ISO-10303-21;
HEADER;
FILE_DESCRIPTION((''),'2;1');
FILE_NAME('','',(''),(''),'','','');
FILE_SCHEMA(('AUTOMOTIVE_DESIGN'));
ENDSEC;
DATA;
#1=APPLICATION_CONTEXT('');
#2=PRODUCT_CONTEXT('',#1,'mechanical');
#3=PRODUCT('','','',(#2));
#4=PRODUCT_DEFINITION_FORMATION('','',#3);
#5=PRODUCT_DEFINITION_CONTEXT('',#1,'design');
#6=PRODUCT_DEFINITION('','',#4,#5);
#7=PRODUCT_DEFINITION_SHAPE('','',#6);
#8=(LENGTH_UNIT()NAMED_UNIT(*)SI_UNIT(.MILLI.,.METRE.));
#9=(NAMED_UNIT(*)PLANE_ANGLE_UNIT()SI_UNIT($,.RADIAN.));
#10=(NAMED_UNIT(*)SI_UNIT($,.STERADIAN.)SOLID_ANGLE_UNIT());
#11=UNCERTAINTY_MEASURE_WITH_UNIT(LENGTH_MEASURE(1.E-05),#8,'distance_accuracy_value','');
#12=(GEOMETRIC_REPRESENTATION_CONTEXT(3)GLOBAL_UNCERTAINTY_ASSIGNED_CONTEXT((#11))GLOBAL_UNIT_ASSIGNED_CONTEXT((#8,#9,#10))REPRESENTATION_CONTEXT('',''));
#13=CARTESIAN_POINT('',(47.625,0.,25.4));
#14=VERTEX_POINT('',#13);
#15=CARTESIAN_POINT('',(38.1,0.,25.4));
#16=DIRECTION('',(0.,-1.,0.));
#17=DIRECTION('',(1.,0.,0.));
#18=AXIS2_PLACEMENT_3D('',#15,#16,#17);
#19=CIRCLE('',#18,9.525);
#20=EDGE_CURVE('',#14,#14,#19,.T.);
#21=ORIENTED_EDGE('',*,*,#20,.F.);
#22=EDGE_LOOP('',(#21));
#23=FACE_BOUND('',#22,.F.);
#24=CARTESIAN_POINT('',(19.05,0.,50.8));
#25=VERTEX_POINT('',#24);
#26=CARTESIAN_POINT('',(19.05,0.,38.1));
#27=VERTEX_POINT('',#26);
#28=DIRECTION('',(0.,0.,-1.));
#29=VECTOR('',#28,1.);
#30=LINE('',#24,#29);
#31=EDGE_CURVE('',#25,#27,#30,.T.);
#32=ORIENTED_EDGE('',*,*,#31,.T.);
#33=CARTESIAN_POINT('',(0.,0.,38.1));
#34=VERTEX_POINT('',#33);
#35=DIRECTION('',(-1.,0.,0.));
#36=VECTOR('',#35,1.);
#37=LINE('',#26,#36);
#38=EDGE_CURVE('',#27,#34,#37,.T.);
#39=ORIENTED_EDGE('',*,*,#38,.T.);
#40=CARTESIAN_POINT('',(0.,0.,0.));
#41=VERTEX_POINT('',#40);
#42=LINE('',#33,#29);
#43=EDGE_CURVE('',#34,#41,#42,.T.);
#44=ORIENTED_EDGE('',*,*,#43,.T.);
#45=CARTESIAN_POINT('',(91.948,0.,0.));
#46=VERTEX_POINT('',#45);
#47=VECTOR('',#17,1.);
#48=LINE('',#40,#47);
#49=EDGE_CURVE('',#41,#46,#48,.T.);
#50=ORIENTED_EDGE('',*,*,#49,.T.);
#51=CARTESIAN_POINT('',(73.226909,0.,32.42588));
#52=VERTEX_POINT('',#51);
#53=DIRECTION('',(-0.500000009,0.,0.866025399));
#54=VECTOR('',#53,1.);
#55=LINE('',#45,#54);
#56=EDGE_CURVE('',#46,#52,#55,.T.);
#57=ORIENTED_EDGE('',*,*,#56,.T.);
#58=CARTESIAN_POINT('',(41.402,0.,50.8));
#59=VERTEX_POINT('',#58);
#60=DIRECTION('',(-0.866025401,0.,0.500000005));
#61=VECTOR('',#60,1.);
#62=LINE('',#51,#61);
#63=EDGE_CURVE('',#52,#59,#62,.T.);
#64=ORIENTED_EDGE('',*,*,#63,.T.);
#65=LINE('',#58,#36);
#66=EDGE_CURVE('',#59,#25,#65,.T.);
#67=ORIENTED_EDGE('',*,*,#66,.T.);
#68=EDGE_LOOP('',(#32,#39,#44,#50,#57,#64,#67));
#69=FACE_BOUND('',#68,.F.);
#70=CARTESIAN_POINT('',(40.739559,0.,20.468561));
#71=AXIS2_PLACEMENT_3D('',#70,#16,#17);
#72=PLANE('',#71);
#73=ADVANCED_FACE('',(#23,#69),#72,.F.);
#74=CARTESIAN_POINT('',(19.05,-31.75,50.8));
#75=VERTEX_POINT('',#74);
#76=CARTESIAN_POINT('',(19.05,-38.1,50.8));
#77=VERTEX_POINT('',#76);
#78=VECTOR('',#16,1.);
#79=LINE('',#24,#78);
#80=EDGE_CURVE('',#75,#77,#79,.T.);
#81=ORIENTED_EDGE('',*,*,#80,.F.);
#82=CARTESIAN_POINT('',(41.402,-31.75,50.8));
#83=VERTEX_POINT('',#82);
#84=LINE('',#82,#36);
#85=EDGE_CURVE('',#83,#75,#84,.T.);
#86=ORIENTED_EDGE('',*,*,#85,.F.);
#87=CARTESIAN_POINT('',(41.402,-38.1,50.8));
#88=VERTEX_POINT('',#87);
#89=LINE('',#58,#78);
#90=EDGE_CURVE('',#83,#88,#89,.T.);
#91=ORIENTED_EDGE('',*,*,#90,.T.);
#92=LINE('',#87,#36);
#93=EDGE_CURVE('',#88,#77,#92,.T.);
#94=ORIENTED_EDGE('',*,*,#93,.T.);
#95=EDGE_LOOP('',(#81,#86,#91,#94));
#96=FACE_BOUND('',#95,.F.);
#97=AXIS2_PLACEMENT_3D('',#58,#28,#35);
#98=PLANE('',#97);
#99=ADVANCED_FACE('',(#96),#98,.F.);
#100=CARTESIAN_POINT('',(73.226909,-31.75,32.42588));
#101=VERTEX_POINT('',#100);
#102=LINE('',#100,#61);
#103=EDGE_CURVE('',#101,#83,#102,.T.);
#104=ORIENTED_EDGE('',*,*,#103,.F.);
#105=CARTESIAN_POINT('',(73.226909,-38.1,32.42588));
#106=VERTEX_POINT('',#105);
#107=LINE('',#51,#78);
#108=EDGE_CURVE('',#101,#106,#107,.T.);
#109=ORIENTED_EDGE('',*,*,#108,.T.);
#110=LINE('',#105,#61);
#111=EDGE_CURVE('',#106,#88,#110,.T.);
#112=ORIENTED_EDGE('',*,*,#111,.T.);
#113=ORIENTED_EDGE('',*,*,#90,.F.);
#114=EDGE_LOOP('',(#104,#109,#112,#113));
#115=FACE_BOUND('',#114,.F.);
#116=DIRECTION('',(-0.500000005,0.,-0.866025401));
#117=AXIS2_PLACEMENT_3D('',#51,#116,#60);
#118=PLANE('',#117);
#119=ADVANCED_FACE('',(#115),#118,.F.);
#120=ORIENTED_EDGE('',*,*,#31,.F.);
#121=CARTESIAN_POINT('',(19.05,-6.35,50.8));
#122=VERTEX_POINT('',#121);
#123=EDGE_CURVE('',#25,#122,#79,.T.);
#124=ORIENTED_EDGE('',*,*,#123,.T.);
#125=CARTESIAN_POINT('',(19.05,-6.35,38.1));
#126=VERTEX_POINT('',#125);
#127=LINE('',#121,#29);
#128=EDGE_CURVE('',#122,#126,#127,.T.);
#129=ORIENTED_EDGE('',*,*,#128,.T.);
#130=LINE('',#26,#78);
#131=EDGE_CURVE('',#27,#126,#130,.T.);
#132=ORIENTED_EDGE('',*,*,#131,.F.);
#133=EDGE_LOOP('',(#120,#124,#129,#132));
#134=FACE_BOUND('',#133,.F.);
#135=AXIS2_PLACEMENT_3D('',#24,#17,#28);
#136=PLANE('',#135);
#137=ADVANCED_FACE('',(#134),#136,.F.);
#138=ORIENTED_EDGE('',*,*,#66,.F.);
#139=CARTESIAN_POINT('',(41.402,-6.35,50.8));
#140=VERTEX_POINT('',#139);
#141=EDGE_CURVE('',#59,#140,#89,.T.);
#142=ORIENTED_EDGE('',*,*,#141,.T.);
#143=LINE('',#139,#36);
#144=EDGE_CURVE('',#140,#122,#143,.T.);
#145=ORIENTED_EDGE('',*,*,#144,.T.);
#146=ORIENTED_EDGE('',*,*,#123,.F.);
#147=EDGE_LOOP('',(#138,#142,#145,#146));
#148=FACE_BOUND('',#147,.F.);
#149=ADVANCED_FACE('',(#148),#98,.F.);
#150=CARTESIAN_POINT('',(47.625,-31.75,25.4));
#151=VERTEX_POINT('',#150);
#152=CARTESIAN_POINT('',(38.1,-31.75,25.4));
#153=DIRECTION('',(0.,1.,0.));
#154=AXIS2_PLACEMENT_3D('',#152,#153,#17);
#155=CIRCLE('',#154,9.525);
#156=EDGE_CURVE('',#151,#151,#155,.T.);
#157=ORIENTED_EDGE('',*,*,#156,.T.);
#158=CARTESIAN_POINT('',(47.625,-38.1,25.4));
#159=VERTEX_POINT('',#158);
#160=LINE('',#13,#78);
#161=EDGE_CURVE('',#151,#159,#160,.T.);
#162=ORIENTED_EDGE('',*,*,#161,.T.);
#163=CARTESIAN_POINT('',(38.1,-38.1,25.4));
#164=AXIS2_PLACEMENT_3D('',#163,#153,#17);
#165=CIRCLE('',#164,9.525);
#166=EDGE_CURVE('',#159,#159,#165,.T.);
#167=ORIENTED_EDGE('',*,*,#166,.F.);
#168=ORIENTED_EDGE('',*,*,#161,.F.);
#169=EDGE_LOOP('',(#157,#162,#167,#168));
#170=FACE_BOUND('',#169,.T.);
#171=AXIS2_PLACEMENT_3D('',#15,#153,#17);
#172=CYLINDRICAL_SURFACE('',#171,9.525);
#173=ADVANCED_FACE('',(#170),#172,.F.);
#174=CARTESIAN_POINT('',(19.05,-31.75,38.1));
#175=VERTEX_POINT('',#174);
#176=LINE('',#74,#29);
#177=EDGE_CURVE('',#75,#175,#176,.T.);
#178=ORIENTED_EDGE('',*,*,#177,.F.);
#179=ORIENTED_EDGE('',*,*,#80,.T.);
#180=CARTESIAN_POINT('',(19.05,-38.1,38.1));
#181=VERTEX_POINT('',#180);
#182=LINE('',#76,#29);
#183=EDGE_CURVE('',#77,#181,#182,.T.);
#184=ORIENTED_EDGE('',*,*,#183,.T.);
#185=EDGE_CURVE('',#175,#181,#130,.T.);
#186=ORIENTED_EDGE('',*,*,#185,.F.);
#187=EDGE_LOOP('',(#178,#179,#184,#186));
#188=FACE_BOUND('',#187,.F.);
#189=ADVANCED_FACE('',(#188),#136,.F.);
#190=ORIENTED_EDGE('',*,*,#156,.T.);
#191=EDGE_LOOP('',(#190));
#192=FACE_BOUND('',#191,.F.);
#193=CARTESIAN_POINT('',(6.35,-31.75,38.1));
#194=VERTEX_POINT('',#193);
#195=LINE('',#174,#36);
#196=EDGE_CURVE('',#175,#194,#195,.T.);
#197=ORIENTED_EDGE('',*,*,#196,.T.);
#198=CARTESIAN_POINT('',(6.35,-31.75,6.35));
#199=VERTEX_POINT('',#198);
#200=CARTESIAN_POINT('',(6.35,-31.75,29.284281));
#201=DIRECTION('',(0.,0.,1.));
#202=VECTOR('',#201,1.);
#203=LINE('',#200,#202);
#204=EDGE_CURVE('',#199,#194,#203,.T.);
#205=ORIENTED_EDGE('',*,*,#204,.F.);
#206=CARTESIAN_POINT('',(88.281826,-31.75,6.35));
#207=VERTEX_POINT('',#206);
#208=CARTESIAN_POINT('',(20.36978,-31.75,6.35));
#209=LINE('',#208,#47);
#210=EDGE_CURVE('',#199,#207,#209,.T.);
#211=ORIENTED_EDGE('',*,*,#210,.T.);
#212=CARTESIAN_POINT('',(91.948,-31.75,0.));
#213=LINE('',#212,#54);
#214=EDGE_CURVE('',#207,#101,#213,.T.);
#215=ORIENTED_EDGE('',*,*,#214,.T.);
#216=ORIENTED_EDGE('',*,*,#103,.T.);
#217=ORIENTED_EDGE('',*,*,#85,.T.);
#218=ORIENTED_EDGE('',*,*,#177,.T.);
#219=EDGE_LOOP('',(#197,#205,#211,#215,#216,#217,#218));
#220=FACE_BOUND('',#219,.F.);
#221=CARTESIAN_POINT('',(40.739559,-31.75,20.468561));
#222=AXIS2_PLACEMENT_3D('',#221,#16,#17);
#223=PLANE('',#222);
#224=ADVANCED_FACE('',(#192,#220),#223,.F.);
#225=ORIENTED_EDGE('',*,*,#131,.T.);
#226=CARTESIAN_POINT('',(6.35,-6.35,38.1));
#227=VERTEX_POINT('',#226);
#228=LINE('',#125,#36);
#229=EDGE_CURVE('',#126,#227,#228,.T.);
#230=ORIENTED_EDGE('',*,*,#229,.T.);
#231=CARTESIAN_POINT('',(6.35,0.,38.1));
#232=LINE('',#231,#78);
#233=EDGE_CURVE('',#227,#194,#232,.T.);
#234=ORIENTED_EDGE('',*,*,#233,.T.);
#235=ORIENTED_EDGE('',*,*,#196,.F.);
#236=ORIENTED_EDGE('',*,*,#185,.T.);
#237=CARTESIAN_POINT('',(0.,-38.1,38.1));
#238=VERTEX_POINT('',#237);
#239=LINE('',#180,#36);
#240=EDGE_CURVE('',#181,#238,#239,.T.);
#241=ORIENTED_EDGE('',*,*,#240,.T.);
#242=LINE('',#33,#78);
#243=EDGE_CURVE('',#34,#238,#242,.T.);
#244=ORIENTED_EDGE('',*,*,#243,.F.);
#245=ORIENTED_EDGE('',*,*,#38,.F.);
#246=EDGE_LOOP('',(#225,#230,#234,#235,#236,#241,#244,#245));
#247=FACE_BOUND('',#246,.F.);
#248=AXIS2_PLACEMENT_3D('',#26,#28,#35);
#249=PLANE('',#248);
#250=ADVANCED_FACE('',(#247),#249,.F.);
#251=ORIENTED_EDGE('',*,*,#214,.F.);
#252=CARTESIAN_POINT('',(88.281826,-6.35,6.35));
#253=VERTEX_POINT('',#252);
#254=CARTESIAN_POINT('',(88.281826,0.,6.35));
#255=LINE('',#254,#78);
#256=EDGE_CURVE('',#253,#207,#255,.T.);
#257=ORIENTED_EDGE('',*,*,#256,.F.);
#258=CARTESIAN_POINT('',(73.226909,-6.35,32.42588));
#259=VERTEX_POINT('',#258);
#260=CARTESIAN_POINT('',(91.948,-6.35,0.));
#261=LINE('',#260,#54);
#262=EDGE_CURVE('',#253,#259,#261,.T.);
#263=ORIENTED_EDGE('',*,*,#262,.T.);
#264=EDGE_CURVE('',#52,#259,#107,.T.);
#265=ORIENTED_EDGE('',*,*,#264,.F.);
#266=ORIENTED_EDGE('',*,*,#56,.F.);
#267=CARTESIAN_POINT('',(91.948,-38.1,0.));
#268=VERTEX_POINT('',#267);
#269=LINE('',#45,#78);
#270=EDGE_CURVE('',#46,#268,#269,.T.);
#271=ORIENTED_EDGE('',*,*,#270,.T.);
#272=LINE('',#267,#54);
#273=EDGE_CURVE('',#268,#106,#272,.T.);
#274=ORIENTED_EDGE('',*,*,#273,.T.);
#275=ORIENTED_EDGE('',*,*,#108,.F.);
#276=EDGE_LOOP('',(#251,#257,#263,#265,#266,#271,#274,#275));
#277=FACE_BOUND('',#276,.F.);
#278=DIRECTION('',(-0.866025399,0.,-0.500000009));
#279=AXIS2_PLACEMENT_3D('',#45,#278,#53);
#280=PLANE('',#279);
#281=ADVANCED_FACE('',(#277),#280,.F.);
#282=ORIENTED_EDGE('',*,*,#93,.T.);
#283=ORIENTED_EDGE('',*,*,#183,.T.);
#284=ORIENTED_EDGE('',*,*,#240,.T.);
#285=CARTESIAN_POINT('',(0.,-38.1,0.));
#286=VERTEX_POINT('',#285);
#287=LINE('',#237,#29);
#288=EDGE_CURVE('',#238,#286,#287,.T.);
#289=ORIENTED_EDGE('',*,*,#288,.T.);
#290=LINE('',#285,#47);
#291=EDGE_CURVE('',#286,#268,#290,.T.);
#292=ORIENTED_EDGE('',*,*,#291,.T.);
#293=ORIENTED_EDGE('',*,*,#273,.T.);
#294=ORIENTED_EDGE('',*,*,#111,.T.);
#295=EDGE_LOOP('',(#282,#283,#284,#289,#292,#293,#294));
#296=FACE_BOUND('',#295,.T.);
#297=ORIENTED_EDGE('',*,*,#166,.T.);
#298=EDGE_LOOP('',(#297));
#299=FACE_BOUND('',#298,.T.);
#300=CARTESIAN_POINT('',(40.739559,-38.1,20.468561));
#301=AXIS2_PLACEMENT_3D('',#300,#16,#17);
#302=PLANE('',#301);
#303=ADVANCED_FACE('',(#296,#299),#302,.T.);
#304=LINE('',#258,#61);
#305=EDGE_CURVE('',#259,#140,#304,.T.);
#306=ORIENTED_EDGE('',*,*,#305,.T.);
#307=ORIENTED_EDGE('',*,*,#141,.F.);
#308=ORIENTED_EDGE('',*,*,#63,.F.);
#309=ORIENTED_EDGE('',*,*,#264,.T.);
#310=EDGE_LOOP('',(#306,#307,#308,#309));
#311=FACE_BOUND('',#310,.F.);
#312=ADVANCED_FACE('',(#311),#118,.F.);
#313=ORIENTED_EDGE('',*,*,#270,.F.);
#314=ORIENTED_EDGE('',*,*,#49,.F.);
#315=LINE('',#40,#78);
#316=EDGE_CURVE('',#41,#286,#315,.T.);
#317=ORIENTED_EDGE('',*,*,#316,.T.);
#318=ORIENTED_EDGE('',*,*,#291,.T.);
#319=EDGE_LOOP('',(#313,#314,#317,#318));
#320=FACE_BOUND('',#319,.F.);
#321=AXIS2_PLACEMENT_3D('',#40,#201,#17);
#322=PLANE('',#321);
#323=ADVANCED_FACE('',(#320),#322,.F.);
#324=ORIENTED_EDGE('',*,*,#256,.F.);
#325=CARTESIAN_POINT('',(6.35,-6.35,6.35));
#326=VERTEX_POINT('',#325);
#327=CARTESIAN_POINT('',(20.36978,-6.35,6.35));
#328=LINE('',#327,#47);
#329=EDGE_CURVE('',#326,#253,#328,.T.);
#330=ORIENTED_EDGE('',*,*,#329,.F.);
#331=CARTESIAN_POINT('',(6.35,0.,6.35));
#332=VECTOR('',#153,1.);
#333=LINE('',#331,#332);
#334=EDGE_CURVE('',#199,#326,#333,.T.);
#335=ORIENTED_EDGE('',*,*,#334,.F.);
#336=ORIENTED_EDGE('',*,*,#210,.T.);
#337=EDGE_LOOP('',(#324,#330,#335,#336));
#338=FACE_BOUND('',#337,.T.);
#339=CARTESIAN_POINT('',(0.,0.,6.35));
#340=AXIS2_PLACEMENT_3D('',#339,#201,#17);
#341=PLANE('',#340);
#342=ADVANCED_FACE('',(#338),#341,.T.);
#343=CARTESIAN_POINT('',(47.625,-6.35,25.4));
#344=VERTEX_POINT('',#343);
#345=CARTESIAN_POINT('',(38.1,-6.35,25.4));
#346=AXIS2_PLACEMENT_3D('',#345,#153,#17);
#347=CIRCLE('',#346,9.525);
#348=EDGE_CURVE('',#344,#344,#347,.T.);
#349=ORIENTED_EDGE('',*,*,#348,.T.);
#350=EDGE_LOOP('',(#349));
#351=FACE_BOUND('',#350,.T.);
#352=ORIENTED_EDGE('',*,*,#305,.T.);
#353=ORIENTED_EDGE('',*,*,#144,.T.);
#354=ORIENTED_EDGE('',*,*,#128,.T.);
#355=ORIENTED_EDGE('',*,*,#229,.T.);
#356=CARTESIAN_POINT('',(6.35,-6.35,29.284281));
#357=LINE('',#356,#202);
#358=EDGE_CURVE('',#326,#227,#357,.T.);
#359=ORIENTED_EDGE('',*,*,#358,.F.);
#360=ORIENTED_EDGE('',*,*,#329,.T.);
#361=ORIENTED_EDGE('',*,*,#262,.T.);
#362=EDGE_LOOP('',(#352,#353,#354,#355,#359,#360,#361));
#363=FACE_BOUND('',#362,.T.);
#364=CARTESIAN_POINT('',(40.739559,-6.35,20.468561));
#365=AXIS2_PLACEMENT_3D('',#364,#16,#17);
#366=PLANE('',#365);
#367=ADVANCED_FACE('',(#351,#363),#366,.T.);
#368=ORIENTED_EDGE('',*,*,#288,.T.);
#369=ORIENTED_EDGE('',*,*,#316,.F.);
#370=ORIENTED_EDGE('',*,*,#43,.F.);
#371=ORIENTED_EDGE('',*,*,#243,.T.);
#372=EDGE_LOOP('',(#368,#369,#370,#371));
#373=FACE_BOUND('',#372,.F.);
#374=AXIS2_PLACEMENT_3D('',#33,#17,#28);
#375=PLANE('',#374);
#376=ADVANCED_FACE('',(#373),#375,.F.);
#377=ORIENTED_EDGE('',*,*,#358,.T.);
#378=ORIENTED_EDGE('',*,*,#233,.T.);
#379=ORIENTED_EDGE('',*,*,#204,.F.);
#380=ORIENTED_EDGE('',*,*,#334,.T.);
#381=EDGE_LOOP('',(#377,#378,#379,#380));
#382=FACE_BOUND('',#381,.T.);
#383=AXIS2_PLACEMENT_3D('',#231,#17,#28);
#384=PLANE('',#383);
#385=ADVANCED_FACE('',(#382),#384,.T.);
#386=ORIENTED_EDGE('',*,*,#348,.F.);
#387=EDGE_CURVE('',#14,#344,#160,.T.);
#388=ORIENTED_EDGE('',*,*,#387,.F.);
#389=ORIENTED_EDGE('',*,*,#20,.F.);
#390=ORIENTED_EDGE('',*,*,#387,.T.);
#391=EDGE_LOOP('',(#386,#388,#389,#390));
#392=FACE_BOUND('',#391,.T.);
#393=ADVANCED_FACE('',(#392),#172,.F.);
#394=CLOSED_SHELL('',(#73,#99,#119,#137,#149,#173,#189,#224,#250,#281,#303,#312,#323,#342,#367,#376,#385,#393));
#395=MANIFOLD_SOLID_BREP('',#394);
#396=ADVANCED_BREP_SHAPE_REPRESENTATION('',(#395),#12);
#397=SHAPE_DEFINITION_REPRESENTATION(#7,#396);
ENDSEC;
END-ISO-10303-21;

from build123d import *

# Parameters (mm, degrees)
F0_R     = 9.525
F1_DEPTH = 38.1
F2_T     = -6.35
F3_DEPTH = 38.101


with BuildPart() as f1:
    # F0 (on Front) → F1 (new body)
    with BuildSketch(Plane.XZ):
        Polygon((0, 25.4), (0, 0), (38.1, 0), (41.208155, 0), (91.948, 0), (73.226909, 32.42588), (41.402, 50.8), (19.05, 50.8), (19.05, 38.1), (0, 38.1), align=None)
        with Locations((38.1, 25.4)):
            Circle(F0_R, mode=Mode.SUBTRACT)
        with Locations((38.1, 25.4)):
            Circle(F0_R)
    extrude(amount=F1_DEPTH)

    # F2
    f2_openings = [f1.faces().sort_by_distance(p)[0] for p in [
        (82.587455, -19.05, 16.21294),
        (19.05, -19.05, 44.45),
        (9.525, -19.05, 38.1),
        (30.226, -19.05, 50.8),
        (57.314455, -19.05, 41.61294),
    ]]
    offset(amount=F2_T, openings=f2_openings)

    # F0 (on Front) → F3 (cut, through all)
    with BuildSketch(Plane.XZ):
        with Locations((38.1, 25.4)):
            Circle(F0_R)
    extrude(amount=F3_DEPTH, mode=Mode.SUBTRACT)


solid = f1.part
